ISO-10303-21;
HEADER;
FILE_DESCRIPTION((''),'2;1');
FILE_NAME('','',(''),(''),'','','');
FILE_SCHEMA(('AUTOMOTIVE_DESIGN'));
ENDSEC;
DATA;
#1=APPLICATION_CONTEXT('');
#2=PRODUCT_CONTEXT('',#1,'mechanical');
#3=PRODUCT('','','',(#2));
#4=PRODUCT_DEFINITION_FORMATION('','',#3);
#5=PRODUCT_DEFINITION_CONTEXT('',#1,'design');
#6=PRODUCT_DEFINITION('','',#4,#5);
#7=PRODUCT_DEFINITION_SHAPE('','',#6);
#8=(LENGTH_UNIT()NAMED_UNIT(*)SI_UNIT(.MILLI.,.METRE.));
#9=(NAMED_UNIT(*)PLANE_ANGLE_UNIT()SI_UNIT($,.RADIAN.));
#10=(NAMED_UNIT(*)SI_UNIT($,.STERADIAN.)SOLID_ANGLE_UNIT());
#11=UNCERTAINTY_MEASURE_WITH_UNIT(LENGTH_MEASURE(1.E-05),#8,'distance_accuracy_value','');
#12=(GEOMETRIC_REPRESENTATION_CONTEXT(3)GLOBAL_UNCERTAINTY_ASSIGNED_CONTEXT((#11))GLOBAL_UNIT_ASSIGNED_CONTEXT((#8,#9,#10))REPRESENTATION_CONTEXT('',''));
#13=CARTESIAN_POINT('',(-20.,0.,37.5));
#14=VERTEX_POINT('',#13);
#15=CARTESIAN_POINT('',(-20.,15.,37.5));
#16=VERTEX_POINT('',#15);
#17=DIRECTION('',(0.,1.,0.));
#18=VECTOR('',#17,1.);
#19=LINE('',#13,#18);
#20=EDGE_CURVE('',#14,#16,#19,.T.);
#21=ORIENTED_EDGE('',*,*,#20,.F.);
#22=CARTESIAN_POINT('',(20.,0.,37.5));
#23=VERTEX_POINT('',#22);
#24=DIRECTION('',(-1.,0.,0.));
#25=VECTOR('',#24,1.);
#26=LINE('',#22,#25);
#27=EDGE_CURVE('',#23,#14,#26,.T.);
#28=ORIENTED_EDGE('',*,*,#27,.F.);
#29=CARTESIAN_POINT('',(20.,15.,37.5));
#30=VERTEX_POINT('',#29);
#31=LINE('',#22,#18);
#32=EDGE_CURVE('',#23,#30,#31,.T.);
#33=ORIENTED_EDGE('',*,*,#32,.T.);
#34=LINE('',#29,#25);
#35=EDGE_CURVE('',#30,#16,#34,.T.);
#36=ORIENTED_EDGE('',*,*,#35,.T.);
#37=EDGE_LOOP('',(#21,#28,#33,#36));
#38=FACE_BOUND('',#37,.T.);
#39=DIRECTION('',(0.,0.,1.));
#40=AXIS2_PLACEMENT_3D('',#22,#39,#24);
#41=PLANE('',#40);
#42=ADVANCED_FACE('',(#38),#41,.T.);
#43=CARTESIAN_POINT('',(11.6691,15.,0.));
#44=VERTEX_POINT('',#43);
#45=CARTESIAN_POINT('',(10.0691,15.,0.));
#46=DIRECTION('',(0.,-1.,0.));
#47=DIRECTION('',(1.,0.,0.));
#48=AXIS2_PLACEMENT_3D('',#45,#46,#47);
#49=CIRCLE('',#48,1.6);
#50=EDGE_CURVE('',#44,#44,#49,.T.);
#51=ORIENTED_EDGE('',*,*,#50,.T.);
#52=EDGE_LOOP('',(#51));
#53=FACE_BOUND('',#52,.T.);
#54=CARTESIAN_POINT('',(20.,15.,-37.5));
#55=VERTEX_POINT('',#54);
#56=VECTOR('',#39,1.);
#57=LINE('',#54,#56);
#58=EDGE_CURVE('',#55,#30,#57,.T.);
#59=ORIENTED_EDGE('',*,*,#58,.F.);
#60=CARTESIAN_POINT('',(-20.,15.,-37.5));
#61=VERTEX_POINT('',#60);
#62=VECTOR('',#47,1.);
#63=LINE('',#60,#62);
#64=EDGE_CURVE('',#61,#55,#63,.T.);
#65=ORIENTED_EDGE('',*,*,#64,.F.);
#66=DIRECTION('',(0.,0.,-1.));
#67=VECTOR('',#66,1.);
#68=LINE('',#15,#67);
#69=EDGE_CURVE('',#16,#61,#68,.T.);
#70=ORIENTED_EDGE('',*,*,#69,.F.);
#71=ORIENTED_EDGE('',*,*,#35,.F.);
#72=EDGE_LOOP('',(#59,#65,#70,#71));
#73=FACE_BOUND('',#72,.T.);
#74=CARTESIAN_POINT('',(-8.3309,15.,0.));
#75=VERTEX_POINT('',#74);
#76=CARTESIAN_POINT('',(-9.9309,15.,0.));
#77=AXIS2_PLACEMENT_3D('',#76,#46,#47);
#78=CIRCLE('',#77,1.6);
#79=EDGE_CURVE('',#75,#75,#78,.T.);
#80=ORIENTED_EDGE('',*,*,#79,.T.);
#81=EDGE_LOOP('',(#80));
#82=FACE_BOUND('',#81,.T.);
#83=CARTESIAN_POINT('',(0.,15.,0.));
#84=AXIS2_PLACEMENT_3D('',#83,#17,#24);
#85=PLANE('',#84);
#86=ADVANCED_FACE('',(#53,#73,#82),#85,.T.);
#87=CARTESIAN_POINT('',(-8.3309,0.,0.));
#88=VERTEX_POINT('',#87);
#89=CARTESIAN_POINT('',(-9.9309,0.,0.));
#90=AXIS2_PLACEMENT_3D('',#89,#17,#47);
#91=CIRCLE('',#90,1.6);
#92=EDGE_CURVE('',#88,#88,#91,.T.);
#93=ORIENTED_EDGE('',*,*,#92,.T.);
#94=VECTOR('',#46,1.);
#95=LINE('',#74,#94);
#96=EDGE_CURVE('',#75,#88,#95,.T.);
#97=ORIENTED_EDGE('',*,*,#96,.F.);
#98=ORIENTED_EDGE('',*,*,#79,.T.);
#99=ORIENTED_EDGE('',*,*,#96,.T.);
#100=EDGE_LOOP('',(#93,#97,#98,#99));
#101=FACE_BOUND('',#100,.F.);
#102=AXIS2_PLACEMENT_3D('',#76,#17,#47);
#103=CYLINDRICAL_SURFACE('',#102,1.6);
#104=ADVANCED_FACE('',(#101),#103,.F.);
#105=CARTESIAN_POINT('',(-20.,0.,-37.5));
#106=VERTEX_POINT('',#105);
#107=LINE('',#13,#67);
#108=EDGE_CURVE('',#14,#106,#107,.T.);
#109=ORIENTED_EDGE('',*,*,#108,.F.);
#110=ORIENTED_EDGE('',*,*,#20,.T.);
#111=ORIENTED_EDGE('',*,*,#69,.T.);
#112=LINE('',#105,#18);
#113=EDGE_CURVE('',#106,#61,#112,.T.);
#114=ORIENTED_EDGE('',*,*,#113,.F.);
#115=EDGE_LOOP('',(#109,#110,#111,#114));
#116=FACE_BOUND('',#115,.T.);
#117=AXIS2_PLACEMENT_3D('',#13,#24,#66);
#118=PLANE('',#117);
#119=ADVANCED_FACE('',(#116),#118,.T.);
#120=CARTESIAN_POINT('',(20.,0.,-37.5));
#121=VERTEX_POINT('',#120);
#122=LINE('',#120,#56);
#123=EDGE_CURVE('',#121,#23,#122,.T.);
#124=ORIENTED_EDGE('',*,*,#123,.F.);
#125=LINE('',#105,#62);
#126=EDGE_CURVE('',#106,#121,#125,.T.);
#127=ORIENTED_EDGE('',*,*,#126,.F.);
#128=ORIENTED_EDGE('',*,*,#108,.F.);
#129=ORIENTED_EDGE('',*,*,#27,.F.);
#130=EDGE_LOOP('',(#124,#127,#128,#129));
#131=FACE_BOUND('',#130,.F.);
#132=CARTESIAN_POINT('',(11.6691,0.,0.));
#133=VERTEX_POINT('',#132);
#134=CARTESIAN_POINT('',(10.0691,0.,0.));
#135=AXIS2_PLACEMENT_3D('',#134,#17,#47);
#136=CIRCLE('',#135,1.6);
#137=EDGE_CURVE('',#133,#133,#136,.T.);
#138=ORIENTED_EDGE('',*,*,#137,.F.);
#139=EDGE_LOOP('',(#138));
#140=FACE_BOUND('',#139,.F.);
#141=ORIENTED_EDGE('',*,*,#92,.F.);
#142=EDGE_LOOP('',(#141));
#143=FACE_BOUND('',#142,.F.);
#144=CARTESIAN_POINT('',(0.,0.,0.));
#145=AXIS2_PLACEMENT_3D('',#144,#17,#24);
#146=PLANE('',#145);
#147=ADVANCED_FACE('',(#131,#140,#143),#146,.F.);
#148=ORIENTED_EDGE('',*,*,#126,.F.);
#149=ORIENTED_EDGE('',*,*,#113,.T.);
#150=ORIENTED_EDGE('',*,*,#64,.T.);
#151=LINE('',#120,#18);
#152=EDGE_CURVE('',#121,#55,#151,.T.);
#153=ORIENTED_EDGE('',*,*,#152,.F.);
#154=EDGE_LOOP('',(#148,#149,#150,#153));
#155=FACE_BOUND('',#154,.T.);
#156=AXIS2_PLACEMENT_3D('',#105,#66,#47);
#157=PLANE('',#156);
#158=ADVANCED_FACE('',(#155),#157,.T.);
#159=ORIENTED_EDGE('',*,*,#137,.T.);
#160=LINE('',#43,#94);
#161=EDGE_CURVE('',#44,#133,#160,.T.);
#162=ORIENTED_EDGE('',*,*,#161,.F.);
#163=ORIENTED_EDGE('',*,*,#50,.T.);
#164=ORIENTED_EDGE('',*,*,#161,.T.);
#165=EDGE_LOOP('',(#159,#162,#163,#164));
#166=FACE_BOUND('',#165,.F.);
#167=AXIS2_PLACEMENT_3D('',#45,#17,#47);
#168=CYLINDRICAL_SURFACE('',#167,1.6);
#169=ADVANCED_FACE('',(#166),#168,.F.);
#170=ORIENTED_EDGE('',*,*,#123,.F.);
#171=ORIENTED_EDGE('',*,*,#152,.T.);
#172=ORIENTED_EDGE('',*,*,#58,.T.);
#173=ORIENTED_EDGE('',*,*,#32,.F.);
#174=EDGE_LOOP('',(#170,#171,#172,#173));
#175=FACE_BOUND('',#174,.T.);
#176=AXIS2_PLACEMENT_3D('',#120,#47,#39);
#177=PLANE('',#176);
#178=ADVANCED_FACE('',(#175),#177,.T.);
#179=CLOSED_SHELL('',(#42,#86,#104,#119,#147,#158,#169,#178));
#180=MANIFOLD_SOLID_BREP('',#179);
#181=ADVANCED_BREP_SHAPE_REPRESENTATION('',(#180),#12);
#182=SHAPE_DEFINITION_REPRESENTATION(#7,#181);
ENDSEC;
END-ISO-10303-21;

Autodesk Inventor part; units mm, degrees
ref_plane "YZ Plane" through (0, 0, 0) normal (1, 0, 0) x (0, 1, 0)
ref_plane "XZ Plane" through (0, 0, 0) normal (0, 1, 0) x (-1, 0, 0)
ref_plane "XY Plane" through (0, 0, 0) normal (0, 0, 1) x (1, 0, 0)
sketch "Эскиз1" plane through (0, 0, 0) normal (0, 1, 0) x (-1, 0, 0)
  line L0 (-20, 37.5) -> (20, 37.5)
  line L1 (20, 37.5) -> (20, -37.5)
  line L2 (20, -37.5) -> (-20, -37.5)
  line L3 (-20, -37.5) -> (-20, 37.5)
  line L4 (-20, 37.5) -> (20, -37.5) construction
  line L5 (20, 37.5) -> (-20, -37.5) construction
  point P0 (0, 0)
  dimension "d0" = 75
  dimension "d1" = 40
extrude "Выдавливание1" add sketch "Эскиз1" along normal blind 15
sketch "Эскиз2" plane through (0, 15, 0) normal (0, 1, 0) x (1, 0, 0)
  circle A0 centre (10.0691, 0) radius 1.6
  circle A1 centre (-9.9309, 0) radius 1.6
  line L0 (-9.9309, 0) -> (10.0691, 0)
  line L1 (20, 37.5) -> (-20, 37.5) projected
  line L2 (0, 37.5) -> (0, -37.5)
  line L3 (-20, -37.5) -> (20, -37.5) projected
  line L4 (-20, 37.5) -> (-20, -37.5) projected
  line L5 (-20, 0) -> (20.2069, 0)
  point P0 (0, 0)
  point P1 (0.0691, 0)
  dimension "d4" = 3.2
  dimension "d5" = 3.2
  dimension "d6" = 20
extrude "Выдавливание2" cut sketch "Эскиз2" against normal blind 15 contours L5 L0 A0 | A0 L0 L5 | L0 L5 A1 | A1 L5 L0
properties part number "холдер"
